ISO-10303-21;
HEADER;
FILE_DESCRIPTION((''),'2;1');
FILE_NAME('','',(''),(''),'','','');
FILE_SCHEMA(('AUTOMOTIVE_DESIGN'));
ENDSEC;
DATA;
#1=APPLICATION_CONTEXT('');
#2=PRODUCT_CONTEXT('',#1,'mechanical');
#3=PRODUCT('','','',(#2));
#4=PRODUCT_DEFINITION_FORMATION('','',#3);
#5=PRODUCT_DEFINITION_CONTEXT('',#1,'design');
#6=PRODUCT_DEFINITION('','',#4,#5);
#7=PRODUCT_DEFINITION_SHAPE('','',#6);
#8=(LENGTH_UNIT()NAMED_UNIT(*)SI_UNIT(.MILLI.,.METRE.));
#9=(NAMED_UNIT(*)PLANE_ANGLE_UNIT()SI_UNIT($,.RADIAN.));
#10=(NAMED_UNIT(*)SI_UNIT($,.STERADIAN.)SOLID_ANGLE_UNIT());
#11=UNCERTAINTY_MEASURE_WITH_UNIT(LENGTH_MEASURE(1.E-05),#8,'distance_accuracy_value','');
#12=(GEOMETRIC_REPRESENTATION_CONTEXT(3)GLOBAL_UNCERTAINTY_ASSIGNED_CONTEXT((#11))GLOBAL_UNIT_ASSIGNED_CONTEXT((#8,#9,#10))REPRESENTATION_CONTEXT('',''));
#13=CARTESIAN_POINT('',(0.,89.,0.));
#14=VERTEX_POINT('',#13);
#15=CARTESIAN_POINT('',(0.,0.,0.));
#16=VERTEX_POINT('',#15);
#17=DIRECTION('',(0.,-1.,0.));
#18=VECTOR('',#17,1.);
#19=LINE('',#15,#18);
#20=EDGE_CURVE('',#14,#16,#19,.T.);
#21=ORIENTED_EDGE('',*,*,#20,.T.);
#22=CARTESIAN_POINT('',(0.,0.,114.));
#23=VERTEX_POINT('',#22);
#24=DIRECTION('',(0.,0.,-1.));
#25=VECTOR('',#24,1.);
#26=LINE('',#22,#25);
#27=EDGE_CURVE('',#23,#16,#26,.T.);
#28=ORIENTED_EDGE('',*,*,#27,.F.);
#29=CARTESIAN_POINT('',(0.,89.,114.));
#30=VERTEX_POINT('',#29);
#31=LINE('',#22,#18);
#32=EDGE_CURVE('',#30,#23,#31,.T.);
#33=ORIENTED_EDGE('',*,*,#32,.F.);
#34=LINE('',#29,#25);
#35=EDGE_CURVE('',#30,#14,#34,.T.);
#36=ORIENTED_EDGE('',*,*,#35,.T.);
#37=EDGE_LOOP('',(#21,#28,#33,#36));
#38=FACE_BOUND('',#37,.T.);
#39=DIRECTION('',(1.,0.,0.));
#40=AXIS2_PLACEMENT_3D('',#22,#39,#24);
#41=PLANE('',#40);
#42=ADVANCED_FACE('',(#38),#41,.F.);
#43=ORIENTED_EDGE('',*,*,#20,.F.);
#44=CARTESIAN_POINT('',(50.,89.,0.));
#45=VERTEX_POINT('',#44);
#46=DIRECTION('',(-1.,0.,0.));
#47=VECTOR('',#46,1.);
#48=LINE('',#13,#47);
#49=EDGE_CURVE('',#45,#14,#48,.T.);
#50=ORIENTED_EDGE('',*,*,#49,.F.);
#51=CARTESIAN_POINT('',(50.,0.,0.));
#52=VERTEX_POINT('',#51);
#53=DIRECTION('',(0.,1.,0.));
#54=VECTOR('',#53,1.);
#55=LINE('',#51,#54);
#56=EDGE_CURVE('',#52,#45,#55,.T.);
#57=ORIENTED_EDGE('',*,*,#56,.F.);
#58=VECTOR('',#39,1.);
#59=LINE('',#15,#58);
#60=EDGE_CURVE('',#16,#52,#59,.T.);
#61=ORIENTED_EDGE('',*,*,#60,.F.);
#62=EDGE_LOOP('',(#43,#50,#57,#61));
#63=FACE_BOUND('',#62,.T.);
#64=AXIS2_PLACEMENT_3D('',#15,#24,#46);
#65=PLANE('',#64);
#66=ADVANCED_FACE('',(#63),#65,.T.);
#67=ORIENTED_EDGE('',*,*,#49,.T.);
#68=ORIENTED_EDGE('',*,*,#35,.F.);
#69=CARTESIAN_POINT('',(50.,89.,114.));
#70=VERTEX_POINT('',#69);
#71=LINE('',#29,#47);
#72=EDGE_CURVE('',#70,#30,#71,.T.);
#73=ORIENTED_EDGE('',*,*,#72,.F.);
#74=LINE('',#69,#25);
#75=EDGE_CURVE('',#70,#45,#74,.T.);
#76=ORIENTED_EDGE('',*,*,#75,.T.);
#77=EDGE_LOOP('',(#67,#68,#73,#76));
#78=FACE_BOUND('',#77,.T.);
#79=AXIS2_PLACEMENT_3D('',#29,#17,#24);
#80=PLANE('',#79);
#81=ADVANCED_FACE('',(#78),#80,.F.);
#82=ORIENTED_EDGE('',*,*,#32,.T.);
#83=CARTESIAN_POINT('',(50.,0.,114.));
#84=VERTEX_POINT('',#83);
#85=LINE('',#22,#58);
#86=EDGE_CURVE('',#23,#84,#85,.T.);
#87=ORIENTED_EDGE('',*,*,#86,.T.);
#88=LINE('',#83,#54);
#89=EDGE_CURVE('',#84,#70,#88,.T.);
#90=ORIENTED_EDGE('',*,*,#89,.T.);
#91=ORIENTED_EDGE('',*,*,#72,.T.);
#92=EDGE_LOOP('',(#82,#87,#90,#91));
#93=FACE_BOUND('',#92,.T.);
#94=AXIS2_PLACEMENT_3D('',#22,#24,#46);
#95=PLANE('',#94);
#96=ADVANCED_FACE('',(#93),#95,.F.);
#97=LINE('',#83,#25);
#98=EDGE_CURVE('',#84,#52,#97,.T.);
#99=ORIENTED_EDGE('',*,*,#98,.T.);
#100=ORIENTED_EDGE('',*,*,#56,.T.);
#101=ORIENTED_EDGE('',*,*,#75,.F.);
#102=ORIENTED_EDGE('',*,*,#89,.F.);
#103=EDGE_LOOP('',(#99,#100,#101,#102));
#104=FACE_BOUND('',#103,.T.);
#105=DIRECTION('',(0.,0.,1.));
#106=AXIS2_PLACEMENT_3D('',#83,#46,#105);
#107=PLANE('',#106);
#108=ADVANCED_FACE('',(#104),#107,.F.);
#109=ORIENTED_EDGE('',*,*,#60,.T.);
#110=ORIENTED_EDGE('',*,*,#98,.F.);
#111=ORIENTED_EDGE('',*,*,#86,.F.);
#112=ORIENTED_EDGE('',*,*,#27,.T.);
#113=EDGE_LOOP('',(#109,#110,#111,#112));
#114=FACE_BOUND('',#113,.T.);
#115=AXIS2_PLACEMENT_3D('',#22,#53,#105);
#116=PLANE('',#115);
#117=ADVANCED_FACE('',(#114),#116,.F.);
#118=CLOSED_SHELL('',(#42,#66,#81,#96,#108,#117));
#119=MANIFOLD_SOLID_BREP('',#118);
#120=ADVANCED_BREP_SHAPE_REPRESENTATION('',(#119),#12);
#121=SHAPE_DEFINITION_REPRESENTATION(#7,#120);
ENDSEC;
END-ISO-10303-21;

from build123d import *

# Parameters (mm, degrees)
ESBO_O1_W                = 50
ESBO_O1_H                = 89
RESSALTO_EXTRUS_O1_DEPTH = 114


with BuildPart() as part:
    # Esboço1 → Ressalto-extrusão1 (new body)
    with BuildSketch(Plane.XY):
        with Locations((25, 44.5)):
            Rectangle(ESBO_O1_W, ESBO_O1_H)
    extrude(amount=RESSALTO_EXTRUS_O1_DEPTH)


solid = part.part
